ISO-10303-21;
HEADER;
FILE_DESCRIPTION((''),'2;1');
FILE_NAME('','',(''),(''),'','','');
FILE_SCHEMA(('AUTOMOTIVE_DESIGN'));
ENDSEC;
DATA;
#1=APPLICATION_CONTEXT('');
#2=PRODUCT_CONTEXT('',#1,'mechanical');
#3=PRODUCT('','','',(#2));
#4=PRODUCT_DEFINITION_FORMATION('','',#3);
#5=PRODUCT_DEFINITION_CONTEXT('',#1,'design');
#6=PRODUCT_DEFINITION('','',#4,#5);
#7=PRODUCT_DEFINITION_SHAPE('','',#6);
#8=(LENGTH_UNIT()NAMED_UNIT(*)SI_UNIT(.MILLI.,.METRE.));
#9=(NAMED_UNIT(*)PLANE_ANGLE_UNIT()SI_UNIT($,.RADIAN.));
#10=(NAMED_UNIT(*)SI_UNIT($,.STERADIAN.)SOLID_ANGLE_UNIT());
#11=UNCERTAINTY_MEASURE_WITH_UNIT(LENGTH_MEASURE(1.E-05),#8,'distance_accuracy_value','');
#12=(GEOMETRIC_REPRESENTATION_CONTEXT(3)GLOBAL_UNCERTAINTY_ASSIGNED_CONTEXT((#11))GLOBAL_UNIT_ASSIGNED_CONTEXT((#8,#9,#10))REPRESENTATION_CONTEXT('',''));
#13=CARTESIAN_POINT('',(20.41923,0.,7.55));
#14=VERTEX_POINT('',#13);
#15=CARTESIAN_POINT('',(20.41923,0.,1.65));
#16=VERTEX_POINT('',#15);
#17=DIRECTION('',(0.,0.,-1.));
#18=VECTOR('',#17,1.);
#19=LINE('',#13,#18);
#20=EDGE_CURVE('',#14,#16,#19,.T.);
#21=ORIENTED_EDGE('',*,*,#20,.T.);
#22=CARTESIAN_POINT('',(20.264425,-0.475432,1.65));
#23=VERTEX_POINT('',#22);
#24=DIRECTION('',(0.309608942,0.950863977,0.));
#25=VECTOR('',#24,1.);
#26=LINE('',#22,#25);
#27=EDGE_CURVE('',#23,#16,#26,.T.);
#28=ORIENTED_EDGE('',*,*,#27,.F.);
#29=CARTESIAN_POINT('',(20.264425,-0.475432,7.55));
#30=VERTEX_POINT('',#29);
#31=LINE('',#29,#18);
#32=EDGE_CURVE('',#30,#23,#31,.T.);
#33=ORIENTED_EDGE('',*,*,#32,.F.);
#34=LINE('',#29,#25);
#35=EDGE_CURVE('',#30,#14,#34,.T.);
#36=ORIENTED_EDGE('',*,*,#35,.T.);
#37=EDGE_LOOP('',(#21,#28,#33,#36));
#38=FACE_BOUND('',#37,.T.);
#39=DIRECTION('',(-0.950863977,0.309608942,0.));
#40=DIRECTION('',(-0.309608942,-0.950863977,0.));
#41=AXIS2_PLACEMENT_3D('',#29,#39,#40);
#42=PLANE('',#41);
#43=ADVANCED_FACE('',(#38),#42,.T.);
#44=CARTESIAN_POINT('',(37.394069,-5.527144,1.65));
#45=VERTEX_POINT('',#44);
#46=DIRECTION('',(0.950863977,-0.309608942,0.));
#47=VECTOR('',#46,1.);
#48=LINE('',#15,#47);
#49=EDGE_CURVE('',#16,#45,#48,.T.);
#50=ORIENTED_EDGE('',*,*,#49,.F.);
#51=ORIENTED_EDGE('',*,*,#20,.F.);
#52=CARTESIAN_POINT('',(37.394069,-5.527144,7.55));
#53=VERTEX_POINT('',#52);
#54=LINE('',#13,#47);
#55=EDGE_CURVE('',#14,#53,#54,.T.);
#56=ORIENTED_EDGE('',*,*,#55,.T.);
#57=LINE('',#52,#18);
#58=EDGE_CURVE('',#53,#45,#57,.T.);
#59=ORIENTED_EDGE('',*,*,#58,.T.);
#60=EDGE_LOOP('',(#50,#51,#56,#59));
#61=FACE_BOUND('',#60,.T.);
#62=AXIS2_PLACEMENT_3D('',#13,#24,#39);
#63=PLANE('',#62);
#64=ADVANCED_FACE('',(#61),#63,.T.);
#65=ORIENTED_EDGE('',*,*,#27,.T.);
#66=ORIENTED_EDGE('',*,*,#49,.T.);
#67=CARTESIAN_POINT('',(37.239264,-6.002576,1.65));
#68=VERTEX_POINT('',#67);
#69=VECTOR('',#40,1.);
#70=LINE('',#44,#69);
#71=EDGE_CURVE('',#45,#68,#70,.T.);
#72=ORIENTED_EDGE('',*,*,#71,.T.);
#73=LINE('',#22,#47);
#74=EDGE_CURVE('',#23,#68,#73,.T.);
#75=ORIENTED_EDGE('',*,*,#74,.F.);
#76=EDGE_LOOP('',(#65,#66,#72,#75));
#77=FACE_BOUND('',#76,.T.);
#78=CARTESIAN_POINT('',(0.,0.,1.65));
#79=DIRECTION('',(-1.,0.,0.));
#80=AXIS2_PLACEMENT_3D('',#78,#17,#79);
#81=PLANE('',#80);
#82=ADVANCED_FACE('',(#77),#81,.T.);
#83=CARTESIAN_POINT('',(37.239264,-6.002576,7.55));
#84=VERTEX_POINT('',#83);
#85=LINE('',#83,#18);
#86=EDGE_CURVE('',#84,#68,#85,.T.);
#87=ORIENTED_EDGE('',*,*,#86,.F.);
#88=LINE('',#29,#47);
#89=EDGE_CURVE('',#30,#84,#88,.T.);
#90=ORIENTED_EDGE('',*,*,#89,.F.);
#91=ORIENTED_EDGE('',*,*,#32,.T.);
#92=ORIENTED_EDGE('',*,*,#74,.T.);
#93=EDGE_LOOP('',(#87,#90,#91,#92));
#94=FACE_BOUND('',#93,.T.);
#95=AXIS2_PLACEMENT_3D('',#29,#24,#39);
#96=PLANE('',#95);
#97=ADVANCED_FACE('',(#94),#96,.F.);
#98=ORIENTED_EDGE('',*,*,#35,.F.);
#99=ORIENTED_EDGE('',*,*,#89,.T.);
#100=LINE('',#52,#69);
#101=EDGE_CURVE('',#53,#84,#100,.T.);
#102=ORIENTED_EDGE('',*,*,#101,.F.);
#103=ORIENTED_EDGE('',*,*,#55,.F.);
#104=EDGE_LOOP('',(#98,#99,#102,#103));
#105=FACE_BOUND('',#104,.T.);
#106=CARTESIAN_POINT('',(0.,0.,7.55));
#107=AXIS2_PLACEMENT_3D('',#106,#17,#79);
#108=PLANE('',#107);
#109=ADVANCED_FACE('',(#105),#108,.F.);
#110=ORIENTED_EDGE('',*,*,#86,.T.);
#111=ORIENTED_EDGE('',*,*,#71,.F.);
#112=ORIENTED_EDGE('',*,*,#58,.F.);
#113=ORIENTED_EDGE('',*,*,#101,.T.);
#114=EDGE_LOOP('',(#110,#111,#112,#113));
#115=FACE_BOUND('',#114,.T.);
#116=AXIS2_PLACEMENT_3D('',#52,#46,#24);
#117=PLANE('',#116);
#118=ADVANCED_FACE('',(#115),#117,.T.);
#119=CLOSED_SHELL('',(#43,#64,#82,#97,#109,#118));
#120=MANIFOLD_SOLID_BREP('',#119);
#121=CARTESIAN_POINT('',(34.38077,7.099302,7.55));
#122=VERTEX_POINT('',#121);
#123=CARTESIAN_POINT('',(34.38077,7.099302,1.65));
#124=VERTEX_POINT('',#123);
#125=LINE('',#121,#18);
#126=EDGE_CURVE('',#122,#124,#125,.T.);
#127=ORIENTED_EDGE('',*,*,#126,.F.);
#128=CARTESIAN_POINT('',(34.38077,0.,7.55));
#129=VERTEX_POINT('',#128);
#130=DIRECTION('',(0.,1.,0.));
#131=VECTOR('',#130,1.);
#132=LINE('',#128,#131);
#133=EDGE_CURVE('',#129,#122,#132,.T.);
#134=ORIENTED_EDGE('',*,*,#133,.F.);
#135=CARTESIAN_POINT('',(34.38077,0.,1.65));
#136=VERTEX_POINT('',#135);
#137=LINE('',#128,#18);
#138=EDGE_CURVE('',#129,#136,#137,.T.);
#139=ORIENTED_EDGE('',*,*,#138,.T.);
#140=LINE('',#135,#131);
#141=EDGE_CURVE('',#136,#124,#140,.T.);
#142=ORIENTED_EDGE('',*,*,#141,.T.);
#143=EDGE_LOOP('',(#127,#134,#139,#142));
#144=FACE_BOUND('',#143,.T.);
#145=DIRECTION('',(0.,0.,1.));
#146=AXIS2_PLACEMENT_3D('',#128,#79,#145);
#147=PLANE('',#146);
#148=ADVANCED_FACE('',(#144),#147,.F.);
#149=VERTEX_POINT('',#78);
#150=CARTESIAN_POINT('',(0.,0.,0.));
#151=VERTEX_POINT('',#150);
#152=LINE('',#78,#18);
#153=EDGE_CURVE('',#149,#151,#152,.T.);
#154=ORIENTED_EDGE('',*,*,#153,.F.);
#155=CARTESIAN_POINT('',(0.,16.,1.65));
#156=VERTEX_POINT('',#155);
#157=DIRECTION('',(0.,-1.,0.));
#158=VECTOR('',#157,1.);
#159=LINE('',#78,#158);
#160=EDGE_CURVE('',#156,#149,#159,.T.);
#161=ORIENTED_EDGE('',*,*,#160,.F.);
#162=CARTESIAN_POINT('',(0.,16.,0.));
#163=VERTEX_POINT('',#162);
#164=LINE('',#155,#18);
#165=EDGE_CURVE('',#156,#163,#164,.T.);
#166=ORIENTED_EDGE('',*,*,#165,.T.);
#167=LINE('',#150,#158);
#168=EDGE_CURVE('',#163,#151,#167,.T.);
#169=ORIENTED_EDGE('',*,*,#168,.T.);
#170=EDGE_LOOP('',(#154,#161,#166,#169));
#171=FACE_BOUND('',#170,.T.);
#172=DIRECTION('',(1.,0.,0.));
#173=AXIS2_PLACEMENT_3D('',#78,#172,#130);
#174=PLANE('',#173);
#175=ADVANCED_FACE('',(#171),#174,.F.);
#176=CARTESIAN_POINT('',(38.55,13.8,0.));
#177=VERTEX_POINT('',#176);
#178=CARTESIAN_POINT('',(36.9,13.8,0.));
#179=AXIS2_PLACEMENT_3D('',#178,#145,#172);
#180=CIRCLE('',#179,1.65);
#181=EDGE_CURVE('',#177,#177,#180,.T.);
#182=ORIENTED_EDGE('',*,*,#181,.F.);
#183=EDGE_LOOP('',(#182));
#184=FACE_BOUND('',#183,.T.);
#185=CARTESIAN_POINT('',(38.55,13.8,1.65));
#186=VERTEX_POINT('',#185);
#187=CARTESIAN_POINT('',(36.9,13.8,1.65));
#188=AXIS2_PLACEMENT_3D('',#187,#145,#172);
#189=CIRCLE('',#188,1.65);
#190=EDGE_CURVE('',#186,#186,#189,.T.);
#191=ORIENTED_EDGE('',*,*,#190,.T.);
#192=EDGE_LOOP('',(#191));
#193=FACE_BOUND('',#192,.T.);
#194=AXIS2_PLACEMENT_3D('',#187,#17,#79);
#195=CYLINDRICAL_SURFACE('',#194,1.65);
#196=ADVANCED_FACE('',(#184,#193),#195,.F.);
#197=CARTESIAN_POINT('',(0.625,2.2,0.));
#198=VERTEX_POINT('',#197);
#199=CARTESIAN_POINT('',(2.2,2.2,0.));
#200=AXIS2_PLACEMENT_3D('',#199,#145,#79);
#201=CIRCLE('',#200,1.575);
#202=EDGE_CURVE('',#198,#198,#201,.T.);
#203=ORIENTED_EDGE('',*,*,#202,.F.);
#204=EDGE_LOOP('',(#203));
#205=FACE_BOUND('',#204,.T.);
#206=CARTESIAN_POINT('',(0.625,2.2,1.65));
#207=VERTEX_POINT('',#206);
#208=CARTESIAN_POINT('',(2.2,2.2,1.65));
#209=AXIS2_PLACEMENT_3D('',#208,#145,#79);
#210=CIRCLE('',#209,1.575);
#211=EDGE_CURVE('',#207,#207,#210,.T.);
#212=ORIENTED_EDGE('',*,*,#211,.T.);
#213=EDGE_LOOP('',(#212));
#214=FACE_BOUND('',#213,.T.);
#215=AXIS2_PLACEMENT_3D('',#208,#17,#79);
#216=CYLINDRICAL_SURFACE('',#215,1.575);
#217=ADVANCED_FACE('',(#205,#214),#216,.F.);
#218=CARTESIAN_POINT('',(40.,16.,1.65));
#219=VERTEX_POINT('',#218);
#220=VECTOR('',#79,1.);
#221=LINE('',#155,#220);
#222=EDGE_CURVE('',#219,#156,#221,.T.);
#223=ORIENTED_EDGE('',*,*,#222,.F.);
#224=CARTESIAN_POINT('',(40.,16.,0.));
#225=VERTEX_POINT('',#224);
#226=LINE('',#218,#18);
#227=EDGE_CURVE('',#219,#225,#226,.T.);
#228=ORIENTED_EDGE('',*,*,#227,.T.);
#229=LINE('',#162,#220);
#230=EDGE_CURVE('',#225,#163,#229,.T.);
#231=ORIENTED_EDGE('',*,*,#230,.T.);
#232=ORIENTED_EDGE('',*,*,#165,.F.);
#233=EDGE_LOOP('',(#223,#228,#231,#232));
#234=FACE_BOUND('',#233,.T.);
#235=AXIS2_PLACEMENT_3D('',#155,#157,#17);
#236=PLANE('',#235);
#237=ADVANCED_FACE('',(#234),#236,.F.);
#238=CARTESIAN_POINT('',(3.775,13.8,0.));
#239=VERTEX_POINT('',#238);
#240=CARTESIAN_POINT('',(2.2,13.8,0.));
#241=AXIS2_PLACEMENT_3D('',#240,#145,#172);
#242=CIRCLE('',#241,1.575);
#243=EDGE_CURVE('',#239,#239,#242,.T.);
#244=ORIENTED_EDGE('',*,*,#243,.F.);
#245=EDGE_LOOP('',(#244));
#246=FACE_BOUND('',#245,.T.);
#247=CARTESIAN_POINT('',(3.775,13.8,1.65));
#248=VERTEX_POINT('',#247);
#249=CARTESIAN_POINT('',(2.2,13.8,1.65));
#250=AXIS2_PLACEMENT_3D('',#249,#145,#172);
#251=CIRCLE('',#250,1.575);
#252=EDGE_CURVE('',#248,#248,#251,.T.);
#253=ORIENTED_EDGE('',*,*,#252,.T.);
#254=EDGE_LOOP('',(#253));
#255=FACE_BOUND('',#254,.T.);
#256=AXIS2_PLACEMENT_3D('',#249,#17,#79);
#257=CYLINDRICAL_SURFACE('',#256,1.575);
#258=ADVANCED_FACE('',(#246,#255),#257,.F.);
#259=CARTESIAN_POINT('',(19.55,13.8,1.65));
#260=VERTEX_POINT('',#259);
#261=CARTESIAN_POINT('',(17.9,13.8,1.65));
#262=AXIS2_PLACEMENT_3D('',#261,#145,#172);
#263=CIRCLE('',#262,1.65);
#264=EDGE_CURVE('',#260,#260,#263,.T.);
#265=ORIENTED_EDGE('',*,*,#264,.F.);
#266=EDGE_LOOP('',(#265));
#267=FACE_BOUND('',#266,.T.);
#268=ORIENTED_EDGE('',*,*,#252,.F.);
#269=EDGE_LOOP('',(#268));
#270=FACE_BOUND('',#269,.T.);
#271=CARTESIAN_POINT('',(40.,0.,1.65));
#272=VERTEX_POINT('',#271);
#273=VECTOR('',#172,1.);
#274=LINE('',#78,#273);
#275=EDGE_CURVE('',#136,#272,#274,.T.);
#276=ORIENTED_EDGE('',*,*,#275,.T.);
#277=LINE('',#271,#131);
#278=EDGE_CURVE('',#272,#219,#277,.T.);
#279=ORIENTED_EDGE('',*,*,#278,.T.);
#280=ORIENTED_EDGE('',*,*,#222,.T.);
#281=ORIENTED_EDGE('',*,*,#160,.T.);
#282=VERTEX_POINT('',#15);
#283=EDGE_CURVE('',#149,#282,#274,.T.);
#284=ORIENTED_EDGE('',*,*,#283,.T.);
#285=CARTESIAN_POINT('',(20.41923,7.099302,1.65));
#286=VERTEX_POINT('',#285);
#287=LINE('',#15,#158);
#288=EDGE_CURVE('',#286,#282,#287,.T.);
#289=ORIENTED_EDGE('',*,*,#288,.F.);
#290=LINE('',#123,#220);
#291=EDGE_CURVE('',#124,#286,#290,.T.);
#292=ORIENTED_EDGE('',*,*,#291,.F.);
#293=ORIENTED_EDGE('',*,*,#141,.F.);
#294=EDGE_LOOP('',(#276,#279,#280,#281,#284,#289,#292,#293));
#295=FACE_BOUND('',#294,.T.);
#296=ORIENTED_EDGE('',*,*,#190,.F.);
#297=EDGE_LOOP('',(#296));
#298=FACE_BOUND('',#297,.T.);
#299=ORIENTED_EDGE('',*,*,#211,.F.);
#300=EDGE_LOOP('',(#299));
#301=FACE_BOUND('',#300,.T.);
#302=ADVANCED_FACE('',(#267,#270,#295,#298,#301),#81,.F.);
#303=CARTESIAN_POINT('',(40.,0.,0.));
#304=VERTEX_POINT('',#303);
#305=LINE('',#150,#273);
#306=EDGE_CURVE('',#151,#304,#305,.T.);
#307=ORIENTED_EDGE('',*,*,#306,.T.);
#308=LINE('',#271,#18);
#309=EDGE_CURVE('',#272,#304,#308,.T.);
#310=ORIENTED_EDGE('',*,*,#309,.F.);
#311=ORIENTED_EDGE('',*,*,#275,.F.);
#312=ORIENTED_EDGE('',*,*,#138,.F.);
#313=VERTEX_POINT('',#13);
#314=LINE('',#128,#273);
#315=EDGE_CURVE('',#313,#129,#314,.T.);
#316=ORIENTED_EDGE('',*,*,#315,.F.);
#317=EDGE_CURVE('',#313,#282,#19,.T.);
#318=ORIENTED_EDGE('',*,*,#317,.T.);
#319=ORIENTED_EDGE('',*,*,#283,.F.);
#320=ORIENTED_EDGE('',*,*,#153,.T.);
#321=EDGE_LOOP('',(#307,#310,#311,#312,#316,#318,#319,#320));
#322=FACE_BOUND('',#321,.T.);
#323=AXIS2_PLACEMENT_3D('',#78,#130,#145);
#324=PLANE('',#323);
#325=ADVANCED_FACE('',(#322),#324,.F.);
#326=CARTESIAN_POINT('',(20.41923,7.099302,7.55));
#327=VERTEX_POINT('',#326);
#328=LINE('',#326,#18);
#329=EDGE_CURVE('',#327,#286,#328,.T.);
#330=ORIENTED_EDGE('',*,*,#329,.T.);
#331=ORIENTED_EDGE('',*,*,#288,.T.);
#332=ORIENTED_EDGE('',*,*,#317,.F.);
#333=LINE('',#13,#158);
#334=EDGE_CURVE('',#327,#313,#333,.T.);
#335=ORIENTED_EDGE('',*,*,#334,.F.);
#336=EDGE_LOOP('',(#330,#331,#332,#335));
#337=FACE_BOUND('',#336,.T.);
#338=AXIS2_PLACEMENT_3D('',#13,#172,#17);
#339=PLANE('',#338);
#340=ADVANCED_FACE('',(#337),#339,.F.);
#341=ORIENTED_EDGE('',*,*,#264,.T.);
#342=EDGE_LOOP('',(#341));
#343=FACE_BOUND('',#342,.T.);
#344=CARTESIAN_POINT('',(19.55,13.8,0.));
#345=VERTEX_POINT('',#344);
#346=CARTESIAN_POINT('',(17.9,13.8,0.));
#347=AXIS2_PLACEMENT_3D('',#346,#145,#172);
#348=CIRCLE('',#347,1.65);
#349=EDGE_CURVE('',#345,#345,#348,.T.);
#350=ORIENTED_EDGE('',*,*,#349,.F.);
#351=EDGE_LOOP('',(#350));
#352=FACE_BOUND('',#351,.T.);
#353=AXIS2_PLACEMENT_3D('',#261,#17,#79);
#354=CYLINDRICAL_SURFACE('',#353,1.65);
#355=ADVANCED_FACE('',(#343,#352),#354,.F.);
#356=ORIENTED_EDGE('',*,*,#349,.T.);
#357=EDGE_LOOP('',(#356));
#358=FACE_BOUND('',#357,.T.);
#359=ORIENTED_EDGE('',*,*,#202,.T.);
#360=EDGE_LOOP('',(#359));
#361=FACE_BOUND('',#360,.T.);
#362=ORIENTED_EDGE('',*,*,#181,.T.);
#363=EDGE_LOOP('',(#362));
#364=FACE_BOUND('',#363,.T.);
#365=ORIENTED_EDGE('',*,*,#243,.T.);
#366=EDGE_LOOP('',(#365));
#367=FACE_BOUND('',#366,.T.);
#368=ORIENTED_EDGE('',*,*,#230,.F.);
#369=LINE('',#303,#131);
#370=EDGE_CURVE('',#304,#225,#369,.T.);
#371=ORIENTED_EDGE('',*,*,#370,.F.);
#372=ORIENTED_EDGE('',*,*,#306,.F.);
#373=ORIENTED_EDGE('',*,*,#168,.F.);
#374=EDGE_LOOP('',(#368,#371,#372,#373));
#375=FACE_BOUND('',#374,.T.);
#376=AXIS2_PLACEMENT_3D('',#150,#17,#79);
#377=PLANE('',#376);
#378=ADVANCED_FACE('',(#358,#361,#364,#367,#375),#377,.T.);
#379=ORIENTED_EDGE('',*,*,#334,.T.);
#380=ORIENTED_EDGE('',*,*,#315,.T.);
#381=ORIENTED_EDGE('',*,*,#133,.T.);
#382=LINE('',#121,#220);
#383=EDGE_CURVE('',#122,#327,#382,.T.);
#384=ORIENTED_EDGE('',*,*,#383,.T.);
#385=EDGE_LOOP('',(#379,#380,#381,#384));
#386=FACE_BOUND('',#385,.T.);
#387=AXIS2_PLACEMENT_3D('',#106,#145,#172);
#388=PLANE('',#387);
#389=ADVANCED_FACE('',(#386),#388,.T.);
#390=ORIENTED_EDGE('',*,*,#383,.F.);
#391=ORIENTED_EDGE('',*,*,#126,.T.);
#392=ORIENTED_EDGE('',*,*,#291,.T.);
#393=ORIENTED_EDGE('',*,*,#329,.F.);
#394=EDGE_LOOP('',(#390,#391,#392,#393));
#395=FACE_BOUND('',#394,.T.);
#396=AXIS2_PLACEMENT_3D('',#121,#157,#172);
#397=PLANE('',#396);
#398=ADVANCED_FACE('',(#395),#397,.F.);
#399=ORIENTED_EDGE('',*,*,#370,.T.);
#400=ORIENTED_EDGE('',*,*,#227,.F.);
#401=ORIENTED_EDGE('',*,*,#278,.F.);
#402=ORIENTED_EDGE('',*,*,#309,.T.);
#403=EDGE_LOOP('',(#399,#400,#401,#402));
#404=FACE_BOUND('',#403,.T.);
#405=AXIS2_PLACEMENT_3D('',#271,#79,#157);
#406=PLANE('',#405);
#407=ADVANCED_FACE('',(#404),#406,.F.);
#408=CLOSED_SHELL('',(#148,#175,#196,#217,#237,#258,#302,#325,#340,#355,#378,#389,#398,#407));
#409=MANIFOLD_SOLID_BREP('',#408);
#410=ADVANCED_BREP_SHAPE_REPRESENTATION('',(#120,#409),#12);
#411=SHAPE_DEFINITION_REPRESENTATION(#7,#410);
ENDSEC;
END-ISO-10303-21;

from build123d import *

# Parameters (mm, degrees)
SCHIZZO1_W                   = 40
SCHIZZO1_H                   = 16
SCHIZZO1_R                   = 1.65
SCHIZZO1_R_2                 = 1.575
ESTRUSIONE_ESTRUSIONE1_DEPTH = 1.65
SCHIZZO2_W                   = 13.961540804
SCHIZZO2_H                   = 7.099301817
ESTRUSIONE_ESTRUSIONE2_DEPTH = 5.9
ESTRUSIONE_SOTTILE1_DEPTH    = 5.9


with BuildPart() as part:
    # Schizzo1 → Estrusione-Estrusione1 (new body)
    with BuildSketch(Plane.XY):
        with Locations((20, 8)):
            Rectangle(SCHIZZO1_W, SCHIZZO1_H)
        with Locations((36.9, 13.8)):
            Circle(SCHIZZO1_R, mode=Mode.SUBTRACT)
        with Locations((17.9, 13.8)):
            Circle(SCHIZZO1_R, mode=Mode.SUBTRACT)
        with Locations((2.2, 13.8)):
            Circle(SCHIZZO1_R_2, mode=Mode.SUBTRACT)
        with Locations(Location((2.2, 2.2, 0), (0, 0, 180))):
            Circle(SCHIZZO1_R_2, mode=Mode.SUBTRACT)
    extrude(amount=ESTRUSIONE_ESTRUSIONE1_DEPTH)

    # Schizzo2 → Estrusione-Estrusione2 (add)
    with BuildSketch(Plane.XY.offset(1.65)):
        with Locations((27.4, 3.549650909)):
            Rectangle(SCHIZZO2_W, SCHIZZO2_H)
    extrude(amount=ESTRUSIONE_ESTRUSIONE2_DEPTH)


with BuildPart() as body_2:
    # Schizzo3 → Estrusione-Sottile1 (new body)
    with BuildSketch(Plane.XY.offset(1.65)):
        Polygon((20.419229598, 0), (37.394068881, -5.527143905), (37.23926441, -6.002575893), (20.264425127, -0.475431989), align=None)
    extrude(amount=ESTRUSIONE_SOTTILE1_DEPTH)


solid = Compound([part.part, body_2.part])
